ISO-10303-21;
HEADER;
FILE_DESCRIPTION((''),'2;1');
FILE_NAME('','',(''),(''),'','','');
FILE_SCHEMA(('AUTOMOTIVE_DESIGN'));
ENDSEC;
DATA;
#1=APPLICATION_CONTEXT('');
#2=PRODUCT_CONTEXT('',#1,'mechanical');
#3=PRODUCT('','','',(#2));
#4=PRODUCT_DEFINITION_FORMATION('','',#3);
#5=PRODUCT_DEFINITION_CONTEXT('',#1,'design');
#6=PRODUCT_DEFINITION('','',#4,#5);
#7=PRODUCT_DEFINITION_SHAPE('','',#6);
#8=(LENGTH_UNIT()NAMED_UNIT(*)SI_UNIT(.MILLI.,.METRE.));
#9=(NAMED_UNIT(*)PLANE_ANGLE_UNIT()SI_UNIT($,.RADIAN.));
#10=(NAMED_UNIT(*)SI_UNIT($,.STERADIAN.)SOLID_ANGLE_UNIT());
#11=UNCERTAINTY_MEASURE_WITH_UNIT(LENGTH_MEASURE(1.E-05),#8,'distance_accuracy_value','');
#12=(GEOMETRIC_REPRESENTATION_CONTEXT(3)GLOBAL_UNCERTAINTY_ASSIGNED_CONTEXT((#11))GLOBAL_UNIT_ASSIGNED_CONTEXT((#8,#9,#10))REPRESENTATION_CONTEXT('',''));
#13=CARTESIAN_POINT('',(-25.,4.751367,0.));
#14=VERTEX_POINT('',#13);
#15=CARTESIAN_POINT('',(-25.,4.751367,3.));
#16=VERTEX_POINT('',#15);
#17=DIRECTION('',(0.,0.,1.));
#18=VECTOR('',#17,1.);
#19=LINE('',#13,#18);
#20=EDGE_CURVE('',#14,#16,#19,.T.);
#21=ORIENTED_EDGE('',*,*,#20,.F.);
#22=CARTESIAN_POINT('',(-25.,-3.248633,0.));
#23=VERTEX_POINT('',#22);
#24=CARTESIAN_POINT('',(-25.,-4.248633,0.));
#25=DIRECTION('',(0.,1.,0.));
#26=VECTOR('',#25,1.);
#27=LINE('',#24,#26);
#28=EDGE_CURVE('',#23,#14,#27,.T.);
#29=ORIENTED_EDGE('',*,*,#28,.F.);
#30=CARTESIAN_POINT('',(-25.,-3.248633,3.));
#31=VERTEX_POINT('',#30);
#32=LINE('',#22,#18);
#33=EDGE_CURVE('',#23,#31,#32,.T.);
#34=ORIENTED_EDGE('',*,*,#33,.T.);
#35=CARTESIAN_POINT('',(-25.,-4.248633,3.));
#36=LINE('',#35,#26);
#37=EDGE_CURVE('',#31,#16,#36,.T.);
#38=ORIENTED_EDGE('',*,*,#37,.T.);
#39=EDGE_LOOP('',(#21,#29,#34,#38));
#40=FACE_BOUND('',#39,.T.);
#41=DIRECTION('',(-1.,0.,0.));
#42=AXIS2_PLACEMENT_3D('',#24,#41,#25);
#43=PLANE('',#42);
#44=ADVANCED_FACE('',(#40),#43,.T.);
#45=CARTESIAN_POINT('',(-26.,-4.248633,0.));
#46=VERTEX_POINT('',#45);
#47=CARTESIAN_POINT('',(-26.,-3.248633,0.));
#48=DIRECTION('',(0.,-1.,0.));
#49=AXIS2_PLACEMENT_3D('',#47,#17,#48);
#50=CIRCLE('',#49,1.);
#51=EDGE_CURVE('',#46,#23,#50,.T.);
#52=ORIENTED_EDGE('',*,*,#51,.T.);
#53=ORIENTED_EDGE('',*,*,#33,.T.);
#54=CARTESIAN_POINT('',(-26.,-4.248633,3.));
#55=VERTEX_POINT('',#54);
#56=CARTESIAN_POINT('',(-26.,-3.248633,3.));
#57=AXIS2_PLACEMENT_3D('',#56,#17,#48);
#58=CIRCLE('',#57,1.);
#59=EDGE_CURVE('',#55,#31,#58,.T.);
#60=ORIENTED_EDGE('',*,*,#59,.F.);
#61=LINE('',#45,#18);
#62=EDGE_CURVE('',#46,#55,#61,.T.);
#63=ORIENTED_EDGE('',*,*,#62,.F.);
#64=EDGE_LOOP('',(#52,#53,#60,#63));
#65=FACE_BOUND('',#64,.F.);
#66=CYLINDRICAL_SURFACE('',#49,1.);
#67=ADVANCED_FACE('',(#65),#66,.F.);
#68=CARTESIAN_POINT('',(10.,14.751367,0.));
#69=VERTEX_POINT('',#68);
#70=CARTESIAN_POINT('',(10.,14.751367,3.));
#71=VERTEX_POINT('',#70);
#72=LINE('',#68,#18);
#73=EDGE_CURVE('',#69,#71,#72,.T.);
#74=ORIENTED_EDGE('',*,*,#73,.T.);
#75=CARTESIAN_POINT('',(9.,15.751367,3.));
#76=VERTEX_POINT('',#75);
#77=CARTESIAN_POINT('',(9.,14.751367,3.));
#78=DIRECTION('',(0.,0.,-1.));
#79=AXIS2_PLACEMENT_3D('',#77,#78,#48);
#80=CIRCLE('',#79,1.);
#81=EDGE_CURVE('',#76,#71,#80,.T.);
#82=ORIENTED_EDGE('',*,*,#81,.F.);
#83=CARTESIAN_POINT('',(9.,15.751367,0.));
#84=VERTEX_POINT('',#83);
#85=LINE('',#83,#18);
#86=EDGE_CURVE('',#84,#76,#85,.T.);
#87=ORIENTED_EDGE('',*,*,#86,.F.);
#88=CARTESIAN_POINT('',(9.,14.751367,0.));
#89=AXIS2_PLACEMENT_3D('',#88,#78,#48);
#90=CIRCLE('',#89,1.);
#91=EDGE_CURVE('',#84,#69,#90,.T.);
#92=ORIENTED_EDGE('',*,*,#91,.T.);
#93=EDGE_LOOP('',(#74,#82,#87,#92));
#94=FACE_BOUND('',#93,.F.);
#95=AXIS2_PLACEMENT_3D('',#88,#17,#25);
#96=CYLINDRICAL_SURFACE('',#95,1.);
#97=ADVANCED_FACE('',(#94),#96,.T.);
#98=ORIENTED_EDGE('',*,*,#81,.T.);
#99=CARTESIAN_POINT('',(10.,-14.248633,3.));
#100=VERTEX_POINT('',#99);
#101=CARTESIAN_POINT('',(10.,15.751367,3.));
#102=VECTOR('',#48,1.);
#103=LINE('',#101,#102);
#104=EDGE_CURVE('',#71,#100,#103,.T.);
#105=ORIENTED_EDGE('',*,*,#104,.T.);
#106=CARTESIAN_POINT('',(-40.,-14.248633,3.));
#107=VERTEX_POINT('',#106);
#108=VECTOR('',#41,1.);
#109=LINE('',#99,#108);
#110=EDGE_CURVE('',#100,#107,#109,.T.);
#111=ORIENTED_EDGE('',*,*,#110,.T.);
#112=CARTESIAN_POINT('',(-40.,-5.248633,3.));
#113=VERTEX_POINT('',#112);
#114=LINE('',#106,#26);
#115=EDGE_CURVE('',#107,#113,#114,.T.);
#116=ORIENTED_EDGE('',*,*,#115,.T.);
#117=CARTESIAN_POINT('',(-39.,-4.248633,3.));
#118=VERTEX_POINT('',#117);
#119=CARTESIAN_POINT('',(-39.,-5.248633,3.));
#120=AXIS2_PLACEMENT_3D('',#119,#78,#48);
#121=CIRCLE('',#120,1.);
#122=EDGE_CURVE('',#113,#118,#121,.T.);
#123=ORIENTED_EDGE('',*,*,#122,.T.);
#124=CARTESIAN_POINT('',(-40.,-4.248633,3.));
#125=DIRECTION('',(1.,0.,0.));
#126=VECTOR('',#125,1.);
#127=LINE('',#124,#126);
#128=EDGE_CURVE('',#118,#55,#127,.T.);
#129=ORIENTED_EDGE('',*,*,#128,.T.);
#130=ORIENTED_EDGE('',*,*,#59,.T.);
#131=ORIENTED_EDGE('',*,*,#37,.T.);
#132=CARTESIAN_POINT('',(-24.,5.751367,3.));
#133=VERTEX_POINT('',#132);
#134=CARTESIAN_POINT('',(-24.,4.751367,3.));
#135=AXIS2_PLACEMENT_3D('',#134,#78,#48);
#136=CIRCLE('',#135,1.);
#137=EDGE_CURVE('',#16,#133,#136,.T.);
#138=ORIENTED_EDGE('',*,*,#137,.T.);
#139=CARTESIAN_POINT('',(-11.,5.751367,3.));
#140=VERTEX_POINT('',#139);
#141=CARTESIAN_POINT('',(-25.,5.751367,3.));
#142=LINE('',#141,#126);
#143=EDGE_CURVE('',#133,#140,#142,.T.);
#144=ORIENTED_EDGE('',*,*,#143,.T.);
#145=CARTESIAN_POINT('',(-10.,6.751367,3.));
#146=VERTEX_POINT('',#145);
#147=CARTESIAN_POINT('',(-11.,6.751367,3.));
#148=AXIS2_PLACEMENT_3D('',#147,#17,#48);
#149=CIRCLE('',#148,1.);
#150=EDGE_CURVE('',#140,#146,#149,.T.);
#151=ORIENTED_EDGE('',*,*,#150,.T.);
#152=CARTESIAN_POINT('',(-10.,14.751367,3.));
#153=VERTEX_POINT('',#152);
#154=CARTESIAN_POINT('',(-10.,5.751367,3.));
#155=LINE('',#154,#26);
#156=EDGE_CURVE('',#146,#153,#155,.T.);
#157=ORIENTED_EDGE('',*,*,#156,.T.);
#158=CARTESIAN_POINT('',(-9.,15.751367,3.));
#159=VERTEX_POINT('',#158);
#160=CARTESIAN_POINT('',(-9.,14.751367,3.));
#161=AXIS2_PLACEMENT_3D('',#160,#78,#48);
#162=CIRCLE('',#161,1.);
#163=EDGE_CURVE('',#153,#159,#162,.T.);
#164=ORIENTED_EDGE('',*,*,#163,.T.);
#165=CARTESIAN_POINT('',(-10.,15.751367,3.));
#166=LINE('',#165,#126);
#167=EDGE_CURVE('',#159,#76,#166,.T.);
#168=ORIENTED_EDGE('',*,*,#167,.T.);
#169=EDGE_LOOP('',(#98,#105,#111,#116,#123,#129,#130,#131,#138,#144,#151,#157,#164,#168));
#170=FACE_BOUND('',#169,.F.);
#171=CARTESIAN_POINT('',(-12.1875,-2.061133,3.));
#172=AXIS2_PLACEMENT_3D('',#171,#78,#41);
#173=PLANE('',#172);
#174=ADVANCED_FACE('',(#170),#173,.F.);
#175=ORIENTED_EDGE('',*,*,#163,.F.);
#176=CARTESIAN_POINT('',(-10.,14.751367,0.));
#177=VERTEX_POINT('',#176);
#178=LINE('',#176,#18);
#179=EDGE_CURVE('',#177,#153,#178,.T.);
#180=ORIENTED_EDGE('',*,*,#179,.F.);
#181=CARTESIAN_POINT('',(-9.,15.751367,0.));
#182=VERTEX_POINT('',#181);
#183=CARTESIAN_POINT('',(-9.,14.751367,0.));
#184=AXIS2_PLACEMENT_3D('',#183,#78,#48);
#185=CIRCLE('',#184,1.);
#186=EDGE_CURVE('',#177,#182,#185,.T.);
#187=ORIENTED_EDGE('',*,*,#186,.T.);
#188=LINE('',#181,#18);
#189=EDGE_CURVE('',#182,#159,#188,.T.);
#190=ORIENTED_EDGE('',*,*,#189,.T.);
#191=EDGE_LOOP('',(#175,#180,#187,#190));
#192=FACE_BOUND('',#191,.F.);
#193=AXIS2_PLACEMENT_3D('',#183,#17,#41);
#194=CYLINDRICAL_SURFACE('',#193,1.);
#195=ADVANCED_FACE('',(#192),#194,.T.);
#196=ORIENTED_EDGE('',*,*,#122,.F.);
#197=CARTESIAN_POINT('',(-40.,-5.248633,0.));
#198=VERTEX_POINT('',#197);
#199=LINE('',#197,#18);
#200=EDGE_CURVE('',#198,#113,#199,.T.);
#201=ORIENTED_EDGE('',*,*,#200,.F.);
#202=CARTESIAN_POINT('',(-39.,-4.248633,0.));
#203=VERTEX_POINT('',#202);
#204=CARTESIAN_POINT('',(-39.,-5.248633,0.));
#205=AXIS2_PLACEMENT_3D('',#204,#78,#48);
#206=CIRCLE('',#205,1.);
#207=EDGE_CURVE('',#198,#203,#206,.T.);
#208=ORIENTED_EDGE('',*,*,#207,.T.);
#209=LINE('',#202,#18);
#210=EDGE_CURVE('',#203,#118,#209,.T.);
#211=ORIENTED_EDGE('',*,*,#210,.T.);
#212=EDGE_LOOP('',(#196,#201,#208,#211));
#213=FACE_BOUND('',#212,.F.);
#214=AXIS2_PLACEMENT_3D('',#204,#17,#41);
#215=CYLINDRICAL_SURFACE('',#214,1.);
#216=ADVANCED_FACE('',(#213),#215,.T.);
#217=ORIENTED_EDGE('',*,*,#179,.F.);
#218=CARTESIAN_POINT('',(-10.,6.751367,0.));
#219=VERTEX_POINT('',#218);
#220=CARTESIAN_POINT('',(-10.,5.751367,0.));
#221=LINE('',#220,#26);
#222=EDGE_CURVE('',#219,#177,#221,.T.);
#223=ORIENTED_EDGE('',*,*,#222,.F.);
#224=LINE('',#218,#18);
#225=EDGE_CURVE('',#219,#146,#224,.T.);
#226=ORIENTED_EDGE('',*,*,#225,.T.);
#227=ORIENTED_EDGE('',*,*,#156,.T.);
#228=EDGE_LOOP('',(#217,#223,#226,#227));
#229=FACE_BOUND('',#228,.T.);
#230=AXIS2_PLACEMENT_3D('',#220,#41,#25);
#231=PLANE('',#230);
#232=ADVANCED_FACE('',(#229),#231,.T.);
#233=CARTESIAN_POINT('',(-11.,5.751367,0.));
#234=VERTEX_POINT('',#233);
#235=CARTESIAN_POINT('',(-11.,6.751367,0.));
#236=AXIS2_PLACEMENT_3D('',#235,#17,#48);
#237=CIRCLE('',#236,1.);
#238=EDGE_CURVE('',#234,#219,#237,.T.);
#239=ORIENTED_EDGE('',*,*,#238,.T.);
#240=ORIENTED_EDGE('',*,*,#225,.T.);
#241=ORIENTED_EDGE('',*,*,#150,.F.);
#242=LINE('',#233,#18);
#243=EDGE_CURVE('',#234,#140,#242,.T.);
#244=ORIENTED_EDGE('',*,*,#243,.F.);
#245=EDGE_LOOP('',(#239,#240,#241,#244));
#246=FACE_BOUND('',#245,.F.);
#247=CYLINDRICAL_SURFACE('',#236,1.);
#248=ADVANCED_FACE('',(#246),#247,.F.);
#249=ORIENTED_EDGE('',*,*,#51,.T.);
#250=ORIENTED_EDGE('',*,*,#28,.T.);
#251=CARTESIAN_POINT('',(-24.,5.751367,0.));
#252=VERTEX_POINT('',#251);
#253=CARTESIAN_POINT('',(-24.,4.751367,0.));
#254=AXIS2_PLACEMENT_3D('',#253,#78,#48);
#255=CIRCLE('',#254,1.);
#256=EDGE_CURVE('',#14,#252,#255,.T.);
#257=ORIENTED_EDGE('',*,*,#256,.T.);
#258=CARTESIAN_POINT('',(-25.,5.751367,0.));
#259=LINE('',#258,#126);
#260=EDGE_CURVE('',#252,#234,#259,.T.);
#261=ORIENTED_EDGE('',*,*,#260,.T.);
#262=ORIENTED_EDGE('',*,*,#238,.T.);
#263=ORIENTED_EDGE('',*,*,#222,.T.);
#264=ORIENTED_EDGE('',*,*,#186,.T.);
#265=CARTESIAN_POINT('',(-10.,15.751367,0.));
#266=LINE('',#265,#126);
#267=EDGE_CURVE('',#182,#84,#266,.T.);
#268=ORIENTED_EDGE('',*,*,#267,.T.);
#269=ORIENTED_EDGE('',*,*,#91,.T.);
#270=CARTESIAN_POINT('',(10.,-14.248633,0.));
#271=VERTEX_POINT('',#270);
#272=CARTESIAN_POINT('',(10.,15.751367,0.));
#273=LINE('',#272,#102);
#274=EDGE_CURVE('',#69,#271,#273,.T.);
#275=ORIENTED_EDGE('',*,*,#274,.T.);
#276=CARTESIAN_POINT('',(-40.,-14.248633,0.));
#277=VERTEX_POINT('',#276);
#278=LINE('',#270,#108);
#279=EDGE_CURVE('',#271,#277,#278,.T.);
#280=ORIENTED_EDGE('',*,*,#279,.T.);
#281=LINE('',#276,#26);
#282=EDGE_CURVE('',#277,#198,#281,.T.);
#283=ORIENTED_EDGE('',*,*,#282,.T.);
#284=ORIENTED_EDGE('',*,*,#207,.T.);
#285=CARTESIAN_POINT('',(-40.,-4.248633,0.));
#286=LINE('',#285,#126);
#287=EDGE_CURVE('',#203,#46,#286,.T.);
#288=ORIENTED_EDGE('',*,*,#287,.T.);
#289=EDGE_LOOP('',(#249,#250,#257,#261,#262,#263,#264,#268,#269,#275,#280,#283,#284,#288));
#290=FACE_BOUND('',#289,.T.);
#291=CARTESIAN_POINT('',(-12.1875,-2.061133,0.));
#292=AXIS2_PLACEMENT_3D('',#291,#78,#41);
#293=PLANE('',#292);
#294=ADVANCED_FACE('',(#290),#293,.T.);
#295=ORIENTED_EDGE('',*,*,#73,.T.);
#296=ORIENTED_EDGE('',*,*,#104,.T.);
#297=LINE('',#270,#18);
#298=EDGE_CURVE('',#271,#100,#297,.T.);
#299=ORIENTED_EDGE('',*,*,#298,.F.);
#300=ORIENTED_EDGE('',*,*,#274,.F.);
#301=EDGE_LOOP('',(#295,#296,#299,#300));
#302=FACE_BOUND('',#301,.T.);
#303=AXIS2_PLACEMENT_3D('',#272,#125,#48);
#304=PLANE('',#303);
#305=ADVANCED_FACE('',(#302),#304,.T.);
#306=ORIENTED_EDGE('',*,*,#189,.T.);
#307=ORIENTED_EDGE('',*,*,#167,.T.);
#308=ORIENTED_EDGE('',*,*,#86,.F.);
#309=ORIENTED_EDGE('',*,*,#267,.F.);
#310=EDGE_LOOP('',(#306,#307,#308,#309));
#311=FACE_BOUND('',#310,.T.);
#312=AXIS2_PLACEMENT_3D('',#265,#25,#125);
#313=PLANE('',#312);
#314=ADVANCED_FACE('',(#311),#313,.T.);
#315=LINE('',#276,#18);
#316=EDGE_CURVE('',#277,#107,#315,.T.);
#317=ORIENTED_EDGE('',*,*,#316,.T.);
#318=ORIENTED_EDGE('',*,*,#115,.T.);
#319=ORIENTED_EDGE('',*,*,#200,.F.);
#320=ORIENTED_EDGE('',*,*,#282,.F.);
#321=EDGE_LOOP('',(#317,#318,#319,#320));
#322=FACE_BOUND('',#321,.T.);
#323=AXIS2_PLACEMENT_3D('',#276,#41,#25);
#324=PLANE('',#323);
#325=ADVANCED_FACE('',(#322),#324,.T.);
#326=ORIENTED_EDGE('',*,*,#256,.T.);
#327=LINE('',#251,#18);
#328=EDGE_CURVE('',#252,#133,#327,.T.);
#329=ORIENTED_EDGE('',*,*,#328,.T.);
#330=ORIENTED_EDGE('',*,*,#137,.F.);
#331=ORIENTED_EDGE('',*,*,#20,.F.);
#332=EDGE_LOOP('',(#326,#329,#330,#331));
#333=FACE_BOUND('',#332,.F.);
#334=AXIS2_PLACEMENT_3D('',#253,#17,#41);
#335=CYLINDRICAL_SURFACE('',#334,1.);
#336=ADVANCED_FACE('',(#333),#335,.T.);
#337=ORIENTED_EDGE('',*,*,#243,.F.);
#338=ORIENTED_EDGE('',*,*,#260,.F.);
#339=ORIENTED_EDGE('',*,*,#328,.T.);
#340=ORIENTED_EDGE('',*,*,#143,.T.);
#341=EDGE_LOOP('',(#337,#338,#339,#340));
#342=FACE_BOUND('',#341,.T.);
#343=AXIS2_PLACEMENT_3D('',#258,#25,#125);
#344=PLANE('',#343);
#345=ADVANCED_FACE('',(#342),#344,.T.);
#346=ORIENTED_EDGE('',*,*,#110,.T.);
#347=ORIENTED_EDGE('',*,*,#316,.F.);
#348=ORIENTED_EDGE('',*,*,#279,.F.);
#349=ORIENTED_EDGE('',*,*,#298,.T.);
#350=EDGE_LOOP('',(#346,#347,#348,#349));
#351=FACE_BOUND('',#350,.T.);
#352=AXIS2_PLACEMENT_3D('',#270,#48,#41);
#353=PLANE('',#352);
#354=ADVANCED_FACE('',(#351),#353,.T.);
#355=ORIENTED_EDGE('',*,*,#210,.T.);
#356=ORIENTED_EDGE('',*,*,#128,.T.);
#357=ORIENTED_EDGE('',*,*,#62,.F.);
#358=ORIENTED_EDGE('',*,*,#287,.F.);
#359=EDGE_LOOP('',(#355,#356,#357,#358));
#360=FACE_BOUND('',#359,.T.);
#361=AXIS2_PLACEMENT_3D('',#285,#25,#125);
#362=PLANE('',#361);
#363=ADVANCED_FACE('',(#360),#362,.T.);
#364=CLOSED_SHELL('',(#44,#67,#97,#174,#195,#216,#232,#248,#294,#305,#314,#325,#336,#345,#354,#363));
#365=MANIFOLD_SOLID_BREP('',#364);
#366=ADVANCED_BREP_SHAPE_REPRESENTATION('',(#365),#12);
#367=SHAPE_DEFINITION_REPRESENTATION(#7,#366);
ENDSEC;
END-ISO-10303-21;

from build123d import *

# Parameters (mm, degrees)
PAD_DEPTH   = 3
FILLET_R    = 1
FILLET001_R = 1
FILLET002_R = 1
FILLET003_R = 1
FILLET004_R = 1
FILLET005_R = 1


with BuildPart() as part:
    # Sketch → Pad (new body)
    with BuildSketch(Plane.XY):
        Polygon((-10, 15.751367), (10, 15.751367), (10, -14.248633), (-40, -14.248633), (-40, -4.248633), (-25, -4.248633), (-25, 5.751367), (-10, 5.751367), align=None)
    extrude(amount=PAD_DEPTH)

    # Fillet
    fillet_edges = [part.edges().sort_by_distance(p)[0] for p in [
        (-40, -4.248633, 1.5),
    ]]
    fillet(fillet_edges, radius=FILLET_R)

    # Fillet001
    fillet001_edges = [part.edges().sort_by_distance(p)[0] for p in [
        (-25, -4.248633, 1.5),
    ]]
    fillet(fillet001_edges, radius=FILLET001_R)

    # Fillet002
    fillet002_edges = [part.edges().sort_by_distance(p)[0] for p in [
        (-25, 5.751367, 1.5),
    ]]
    fillet(fillet002_edges, radius=FILLET002_R)

    # Fillet003
    fillet003_edges = [part.edges().sort_by_distance(p)[0] for p in [
        (-10, 5.751367, 1.5),
    ]]
    fillet(fillet003_edges, radius=FILLET003_R)

    # Fillet004
    fillet004_edges = [part.edges().sort_by_distance(p)[0] for p in [
        (-10, 15.751367, 1.5),
    ]]
    fillet(fillet004_edges, radius=FILLET004_R)

    # Fillet005
    fillet005_edges = [part.edges().sort_by_distance(p)[0] for p in [
        (10, 15.751367, 1.5),
    ]]
    fillet(fillet005_edges, radius=FILLET005_R)


solid = part.part
